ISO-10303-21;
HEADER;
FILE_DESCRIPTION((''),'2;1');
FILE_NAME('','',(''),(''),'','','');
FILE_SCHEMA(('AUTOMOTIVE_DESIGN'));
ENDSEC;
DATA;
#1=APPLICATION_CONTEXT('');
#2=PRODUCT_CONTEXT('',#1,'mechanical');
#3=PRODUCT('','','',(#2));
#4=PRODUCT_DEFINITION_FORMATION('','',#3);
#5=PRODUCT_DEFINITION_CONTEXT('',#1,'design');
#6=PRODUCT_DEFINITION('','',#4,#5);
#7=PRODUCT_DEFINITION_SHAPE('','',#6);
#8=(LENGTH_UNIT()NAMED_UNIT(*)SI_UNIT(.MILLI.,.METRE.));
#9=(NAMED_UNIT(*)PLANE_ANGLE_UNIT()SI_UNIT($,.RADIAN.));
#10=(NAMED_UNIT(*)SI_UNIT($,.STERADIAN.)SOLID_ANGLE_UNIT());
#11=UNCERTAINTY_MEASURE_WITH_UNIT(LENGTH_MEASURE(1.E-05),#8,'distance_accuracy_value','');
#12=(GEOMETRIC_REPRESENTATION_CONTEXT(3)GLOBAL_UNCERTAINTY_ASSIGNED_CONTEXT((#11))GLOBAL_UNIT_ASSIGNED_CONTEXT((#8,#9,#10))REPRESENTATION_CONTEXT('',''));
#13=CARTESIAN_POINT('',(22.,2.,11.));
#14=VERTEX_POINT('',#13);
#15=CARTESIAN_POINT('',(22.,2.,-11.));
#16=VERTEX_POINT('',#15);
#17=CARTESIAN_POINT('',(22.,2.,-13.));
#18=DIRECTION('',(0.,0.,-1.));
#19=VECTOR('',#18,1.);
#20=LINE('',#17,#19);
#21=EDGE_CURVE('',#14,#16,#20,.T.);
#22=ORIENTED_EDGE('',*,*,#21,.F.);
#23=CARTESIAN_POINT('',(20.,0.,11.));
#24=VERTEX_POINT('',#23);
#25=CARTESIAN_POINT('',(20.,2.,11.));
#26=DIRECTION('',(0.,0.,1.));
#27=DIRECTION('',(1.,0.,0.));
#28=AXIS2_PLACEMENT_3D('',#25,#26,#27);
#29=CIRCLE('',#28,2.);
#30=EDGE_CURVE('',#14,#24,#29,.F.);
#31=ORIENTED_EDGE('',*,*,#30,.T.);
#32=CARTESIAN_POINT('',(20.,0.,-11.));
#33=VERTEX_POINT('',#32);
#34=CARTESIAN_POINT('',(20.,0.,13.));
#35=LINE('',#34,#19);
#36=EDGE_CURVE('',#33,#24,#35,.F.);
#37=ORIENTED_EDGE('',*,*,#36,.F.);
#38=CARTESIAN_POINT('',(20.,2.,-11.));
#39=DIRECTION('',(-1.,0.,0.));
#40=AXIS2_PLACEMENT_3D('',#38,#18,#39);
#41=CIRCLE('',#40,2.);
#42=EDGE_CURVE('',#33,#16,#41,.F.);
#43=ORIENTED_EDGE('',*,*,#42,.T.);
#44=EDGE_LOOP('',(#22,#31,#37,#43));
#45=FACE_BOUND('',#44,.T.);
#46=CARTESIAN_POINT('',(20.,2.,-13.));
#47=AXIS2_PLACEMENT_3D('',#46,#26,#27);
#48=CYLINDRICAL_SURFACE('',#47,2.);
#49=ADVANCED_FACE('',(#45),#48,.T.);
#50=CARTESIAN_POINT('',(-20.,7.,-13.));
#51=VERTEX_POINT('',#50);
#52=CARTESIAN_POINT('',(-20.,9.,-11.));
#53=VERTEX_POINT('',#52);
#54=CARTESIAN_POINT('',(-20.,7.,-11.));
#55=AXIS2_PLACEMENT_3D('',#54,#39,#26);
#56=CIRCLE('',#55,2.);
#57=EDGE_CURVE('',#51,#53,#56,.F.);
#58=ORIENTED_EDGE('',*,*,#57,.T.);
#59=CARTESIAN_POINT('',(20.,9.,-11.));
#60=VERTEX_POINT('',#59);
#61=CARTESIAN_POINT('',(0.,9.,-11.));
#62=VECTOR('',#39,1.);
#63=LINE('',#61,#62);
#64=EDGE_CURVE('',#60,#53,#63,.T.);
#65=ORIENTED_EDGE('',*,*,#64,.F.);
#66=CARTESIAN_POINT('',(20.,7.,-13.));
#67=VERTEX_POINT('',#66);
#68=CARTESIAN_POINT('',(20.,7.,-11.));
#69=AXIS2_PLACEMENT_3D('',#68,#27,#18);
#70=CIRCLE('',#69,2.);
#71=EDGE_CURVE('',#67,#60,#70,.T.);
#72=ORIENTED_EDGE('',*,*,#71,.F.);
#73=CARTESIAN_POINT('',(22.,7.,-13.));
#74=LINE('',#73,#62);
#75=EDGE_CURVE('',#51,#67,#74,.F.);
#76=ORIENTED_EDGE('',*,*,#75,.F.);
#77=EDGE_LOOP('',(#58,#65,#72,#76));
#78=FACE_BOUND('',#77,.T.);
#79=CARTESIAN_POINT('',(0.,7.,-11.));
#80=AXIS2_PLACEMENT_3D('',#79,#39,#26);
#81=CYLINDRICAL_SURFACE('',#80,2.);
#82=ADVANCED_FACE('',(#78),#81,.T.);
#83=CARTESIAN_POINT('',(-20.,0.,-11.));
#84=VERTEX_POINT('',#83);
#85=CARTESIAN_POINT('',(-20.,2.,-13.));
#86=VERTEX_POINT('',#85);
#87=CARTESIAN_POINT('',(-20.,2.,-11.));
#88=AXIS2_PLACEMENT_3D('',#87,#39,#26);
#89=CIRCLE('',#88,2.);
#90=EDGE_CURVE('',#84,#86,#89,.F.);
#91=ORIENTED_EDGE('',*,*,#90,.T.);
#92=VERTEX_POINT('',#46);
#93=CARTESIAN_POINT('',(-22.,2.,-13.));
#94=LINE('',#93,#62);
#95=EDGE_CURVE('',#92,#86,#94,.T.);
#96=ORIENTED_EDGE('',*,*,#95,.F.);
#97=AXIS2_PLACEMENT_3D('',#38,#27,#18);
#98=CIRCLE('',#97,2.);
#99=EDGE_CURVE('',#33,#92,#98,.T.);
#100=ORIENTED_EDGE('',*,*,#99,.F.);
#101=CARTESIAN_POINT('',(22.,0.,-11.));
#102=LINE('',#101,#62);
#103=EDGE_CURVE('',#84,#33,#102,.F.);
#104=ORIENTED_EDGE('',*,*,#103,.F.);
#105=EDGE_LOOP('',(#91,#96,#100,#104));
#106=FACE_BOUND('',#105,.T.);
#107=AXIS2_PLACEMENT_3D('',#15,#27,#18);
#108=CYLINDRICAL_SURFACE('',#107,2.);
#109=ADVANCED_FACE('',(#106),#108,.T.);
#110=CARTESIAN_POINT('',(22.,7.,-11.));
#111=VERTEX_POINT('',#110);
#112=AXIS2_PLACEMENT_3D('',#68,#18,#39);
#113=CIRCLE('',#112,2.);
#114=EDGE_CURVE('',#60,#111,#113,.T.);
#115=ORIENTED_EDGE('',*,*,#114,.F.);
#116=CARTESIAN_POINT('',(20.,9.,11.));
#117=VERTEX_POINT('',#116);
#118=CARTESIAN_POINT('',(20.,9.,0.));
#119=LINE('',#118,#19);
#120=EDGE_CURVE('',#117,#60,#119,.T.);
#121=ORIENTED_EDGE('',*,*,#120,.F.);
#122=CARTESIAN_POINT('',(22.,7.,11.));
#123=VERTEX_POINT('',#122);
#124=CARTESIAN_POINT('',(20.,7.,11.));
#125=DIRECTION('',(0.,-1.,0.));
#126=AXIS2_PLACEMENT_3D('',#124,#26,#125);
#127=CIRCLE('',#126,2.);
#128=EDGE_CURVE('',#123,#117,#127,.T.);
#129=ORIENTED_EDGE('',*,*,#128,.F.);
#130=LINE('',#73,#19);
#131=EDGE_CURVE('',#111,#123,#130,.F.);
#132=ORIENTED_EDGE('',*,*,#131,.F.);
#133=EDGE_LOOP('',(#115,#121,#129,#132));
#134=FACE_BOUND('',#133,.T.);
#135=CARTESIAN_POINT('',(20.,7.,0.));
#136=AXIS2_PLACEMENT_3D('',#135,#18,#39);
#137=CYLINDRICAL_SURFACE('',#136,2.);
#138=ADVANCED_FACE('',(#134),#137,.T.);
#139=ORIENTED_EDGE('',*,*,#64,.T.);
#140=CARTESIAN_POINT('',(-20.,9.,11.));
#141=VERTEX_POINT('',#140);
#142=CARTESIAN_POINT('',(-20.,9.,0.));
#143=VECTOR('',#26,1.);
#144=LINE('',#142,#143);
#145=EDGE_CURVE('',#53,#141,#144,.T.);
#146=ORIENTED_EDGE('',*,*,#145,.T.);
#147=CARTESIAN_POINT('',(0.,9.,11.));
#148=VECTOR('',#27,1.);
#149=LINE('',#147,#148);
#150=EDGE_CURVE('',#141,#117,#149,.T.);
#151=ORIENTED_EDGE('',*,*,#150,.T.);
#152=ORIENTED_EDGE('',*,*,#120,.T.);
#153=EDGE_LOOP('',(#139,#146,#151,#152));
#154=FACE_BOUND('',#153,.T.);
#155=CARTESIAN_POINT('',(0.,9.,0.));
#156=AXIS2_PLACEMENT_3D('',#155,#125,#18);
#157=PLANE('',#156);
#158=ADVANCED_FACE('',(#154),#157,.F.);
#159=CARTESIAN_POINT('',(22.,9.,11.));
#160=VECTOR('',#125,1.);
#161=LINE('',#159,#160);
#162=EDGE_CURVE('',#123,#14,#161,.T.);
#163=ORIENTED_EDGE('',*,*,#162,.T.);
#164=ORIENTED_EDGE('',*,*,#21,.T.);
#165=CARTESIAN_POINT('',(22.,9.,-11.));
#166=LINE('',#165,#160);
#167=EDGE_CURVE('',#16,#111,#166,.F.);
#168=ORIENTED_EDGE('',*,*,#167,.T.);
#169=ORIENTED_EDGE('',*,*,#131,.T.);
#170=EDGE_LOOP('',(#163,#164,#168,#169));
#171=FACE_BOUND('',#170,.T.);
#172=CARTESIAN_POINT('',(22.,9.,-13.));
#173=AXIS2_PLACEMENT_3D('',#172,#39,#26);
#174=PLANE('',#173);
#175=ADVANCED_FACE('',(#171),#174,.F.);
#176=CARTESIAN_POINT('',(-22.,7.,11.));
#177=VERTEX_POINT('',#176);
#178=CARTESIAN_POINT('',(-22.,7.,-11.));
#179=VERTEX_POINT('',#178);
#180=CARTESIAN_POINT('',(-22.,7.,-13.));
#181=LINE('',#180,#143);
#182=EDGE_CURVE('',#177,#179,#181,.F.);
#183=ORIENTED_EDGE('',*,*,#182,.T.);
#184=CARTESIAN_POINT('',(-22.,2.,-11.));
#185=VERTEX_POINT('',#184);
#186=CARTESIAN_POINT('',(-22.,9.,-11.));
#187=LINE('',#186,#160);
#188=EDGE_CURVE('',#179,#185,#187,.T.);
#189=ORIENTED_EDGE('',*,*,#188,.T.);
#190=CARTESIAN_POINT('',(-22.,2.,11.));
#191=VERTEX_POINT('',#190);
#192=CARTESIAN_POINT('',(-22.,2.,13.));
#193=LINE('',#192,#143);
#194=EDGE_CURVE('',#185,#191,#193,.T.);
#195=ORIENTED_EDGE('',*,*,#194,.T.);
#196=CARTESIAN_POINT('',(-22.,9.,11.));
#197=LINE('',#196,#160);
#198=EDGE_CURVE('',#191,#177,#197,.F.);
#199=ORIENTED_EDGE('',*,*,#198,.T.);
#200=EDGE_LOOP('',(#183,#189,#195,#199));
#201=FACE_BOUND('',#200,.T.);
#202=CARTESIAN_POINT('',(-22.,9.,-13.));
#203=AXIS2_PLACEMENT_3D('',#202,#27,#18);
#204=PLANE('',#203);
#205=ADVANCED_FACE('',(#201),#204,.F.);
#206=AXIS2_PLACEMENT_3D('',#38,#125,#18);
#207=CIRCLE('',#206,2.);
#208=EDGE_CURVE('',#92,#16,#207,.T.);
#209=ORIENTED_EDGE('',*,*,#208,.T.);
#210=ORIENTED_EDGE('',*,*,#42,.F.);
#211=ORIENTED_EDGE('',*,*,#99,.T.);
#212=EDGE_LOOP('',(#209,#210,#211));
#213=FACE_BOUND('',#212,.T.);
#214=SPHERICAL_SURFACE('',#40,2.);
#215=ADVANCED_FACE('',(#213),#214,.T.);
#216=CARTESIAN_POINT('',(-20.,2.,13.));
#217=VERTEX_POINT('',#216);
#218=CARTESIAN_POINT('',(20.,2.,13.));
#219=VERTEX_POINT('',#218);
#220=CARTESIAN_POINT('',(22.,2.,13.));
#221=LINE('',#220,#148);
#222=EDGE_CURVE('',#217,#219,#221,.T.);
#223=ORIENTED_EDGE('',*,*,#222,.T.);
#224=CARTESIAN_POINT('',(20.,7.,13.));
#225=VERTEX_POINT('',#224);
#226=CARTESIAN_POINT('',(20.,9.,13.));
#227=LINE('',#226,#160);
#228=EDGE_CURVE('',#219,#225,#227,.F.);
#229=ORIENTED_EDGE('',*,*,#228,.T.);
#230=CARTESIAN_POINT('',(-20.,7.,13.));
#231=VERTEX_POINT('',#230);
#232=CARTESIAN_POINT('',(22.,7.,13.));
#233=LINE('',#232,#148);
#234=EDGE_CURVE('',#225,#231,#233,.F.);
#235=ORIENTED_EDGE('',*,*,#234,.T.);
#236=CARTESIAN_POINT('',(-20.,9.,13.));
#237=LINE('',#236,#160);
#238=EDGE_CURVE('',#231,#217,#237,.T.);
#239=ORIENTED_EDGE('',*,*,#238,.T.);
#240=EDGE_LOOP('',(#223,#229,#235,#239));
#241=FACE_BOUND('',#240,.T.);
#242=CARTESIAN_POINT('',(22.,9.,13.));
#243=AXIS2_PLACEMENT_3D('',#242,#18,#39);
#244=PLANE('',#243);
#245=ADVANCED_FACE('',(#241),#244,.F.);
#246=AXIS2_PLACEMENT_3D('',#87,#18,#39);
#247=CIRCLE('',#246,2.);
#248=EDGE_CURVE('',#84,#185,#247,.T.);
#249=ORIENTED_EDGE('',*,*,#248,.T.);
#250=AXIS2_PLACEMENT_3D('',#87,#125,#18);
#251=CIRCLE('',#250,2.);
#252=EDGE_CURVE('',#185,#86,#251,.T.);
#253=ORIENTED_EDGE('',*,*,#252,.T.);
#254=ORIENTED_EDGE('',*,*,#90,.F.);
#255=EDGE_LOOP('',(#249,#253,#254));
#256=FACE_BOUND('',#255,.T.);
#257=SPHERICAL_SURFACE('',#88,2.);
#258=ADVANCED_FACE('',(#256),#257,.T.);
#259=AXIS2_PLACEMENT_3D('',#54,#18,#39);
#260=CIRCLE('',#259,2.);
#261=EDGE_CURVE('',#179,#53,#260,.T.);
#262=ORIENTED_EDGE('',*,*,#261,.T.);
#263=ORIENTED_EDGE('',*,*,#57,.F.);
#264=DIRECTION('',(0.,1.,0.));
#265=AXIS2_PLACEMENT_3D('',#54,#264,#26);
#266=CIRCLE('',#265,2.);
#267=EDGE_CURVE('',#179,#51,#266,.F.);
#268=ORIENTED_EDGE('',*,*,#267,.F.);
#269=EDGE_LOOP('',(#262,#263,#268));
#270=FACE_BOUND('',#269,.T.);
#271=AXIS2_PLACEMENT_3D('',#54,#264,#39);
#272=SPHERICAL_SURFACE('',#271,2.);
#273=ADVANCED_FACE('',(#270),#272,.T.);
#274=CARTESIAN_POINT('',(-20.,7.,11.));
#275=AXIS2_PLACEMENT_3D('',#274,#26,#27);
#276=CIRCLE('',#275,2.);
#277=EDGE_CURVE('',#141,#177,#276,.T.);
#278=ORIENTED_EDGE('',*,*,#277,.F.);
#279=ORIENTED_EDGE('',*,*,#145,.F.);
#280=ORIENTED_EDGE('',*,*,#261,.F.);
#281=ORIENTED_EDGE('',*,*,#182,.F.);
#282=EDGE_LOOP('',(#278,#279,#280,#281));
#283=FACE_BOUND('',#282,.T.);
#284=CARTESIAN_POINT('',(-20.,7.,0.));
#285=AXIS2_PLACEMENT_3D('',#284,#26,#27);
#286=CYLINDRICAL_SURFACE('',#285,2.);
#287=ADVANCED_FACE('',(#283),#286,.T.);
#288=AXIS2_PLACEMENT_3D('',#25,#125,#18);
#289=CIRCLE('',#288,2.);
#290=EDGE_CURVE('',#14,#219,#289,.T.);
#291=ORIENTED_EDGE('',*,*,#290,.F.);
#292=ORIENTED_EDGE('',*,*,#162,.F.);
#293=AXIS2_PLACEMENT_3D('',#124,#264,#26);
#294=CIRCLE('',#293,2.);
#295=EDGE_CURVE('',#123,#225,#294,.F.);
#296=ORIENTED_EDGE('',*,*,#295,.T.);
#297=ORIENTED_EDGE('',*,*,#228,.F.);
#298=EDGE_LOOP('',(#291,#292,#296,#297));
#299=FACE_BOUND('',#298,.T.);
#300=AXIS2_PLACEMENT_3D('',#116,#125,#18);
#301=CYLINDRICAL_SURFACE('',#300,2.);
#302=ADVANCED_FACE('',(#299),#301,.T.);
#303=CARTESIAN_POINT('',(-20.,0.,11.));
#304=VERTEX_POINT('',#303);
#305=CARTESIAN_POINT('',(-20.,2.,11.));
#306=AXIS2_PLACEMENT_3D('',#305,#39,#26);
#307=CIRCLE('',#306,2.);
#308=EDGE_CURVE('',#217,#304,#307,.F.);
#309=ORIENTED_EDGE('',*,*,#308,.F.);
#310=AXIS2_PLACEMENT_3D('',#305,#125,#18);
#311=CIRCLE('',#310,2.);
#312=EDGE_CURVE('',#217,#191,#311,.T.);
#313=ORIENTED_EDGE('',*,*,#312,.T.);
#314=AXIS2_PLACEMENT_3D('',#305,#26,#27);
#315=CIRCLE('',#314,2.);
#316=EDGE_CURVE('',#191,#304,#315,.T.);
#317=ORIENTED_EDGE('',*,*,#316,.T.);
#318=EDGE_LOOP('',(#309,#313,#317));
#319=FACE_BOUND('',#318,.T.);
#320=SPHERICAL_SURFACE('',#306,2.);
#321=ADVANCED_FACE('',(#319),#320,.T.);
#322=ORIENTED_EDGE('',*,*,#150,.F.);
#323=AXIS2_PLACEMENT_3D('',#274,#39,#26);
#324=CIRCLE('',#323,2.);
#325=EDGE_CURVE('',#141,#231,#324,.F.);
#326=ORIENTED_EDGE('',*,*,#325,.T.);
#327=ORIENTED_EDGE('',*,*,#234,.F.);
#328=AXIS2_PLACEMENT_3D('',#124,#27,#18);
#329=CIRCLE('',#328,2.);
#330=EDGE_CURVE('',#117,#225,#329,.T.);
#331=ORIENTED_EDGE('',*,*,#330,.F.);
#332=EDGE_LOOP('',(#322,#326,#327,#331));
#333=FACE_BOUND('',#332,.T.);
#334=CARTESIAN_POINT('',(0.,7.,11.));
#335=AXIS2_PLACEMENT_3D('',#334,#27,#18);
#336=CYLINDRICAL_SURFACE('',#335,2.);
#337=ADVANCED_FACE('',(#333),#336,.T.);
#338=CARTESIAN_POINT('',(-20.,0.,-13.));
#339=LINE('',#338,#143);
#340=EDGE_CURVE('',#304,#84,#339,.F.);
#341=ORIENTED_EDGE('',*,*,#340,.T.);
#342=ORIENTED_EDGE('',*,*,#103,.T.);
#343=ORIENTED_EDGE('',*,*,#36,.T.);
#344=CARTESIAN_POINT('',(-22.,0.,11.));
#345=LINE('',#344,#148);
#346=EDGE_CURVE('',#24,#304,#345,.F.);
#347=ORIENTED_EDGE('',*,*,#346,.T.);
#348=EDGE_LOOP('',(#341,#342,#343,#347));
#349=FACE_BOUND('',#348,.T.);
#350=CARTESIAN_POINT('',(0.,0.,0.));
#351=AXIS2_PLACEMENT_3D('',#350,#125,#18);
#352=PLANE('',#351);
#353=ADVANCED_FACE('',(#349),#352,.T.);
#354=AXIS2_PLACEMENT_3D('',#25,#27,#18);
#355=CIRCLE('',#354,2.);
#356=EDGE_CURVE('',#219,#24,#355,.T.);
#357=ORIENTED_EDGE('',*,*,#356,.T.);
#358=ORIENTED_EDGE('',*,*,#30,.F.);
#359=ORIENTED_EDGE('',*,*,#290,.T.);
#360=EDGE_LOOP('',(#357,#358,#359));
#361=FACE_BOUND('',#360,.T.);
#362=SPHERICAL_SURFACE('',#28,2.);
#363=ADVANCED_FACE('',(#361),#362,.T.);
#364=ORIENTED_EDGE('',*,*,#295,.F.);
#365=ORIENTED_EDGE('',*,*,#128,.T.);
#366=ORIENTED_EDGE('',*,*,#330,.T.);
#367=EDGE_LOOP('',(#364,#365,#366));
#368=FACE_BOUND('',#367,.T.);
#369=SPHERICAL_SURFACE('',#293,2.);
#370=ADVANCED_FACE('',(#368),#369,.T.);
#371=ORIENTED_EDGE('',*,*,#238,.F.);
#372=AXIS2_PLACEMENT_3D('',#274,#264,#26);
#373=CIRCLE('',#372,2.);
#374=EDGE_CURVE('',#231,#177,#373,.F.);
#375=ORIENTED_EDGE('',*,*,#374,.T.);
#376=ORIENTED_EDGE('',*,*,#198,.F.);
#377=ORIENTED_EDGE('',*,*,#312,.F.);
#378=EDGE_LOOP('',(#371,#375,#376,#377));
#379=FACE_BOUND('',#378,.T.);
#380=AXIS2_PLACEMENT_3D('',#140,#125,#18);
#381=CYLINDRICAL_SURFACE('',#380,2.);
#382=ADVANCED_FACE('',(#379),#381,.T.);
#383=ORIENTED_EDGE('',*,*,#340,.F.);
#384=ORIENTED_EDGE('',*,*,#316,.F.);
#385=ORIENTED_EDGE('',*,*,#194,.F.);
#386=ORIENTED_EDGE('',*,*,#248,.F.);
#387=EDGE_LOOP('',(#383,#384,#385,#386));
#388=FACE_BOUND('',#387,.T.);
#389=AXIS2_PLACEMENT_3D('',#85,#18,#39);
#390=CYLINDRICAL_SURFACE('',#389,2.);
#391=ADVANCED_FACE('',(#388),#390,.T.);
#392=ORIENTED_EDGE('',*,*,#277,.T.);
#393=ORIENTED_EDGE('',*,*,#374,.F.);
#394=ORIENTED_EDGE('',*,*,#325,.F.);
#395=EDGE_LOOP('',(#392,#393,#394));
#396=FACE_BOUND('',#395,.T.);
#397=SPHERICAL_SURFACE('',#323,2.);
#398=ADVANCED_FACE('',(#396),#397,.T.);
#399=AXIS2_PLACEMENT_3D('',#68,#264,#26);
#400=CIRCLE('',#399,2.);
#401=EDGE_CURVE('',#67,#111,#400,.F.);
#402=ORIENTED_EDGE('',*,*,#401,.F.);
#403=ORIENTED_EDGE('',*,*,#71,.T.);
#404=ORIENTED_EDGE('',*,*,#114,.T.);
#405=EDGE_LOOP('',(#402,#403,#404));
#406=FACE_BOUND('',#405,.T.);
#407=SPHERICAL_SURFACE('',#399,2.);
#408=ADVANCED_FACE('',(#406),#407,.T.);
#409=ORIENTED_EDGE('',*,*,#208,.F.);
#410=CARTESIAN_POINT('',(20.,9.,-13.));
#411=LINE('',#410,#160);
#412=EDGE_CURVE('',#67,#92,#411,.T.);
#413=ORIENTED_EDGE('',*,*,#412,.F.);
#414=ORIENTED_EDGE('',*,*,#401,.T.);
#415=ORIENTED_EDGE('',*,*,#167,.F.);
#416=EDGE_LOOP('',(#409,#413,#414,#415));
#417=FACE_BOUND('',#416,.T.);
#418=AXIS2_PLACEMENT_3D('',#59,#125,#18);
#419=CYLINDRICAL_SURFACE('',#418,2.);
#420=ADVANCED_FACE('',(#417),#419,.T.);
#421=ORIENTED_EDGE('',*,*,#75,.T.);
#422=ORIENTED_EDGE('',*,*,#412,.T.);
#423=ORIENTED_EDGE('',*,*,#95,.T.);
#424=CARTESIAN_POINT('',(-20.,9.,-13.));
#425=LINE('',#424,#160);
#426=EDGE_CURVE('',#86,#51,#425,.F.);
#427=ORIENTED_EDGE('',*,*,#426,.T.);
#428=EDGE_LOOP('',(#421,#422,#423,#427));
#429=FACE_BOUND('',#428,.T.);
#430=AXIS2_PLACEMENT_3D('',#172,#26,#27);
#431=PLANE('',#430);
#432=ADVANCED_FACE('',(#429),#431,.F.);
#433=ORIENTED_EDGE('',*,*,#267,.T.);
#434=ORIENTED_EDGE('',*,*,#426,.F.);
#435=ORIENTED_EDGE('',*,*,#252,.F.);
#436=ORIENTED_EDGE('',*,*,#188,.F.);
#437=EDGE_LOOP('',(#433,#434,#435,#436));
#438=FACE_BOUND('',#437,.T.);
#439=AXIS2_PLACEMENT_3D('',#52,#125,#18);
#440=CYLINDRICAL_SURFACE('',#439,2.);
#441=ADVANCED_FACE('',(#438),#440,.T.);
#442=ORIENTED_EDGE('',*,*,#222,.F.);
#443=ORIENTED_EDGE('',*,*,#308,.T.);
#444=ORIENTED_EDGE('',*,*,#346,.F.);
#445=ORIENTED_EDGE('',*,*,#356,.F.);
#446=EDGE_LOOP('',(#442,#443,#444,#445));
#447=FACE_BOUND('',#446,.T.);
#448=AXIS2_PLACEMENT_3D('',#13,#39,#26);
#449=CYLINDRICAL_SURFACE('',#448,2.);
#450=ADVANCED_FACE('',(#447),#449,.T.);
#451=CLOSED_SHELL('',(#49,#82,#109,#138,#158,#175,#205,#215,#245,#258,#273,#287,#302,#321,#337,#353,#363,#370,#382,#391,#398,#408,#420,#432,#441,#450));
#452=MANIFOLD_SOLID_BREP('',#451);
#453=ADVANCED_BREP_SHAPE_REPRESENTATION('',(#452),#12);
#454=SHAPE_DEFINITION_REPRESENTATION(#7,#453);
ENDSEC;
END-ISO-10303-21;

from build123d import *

# Parameters (mm, degrees)
SCHIZZO1_W                   = 44
SCHIZZO1_H                   = 26
ESTRUSIONE_ESTRUSIONE1_DEPTH = 9
RACCORDO1_R                  = 2


with BuildPart() as part:
    # Schizzo1 → Estrusione-Estrusione1 (new body)
    with BuildSketch(Plane(origin=(0, 0, 0), x_dir=(1, 0, 0), z_dir=(0, 1, 0))):
        Rectangle(SCHIZZO1_W, SCHIZZO1_H)
    extrude(amount=ESTRUSIONE_ESTRUSIONE1_DEPTH)

    # Raccordo1
    raccordo1_edges = [part.edges().sort_by_distance(p)[0] for p in [
        (22, 9, 0),
        (0, 9, -13),
        (-22, 9, 0),
        (0, 0, -13),
        (22, 0, 0),
        (0, 0, 13),
        (-22, 0, 0),
        (-22, 4.5, -13),
        (22, 4.5, -13),
        (22, 4.5, 13),
        (-22, 4.5, 13),
        (0, 9, 13),
    ]]
    fillet(raccordo1_edges, radius=RACCORDO1_R)


solid = part.part
